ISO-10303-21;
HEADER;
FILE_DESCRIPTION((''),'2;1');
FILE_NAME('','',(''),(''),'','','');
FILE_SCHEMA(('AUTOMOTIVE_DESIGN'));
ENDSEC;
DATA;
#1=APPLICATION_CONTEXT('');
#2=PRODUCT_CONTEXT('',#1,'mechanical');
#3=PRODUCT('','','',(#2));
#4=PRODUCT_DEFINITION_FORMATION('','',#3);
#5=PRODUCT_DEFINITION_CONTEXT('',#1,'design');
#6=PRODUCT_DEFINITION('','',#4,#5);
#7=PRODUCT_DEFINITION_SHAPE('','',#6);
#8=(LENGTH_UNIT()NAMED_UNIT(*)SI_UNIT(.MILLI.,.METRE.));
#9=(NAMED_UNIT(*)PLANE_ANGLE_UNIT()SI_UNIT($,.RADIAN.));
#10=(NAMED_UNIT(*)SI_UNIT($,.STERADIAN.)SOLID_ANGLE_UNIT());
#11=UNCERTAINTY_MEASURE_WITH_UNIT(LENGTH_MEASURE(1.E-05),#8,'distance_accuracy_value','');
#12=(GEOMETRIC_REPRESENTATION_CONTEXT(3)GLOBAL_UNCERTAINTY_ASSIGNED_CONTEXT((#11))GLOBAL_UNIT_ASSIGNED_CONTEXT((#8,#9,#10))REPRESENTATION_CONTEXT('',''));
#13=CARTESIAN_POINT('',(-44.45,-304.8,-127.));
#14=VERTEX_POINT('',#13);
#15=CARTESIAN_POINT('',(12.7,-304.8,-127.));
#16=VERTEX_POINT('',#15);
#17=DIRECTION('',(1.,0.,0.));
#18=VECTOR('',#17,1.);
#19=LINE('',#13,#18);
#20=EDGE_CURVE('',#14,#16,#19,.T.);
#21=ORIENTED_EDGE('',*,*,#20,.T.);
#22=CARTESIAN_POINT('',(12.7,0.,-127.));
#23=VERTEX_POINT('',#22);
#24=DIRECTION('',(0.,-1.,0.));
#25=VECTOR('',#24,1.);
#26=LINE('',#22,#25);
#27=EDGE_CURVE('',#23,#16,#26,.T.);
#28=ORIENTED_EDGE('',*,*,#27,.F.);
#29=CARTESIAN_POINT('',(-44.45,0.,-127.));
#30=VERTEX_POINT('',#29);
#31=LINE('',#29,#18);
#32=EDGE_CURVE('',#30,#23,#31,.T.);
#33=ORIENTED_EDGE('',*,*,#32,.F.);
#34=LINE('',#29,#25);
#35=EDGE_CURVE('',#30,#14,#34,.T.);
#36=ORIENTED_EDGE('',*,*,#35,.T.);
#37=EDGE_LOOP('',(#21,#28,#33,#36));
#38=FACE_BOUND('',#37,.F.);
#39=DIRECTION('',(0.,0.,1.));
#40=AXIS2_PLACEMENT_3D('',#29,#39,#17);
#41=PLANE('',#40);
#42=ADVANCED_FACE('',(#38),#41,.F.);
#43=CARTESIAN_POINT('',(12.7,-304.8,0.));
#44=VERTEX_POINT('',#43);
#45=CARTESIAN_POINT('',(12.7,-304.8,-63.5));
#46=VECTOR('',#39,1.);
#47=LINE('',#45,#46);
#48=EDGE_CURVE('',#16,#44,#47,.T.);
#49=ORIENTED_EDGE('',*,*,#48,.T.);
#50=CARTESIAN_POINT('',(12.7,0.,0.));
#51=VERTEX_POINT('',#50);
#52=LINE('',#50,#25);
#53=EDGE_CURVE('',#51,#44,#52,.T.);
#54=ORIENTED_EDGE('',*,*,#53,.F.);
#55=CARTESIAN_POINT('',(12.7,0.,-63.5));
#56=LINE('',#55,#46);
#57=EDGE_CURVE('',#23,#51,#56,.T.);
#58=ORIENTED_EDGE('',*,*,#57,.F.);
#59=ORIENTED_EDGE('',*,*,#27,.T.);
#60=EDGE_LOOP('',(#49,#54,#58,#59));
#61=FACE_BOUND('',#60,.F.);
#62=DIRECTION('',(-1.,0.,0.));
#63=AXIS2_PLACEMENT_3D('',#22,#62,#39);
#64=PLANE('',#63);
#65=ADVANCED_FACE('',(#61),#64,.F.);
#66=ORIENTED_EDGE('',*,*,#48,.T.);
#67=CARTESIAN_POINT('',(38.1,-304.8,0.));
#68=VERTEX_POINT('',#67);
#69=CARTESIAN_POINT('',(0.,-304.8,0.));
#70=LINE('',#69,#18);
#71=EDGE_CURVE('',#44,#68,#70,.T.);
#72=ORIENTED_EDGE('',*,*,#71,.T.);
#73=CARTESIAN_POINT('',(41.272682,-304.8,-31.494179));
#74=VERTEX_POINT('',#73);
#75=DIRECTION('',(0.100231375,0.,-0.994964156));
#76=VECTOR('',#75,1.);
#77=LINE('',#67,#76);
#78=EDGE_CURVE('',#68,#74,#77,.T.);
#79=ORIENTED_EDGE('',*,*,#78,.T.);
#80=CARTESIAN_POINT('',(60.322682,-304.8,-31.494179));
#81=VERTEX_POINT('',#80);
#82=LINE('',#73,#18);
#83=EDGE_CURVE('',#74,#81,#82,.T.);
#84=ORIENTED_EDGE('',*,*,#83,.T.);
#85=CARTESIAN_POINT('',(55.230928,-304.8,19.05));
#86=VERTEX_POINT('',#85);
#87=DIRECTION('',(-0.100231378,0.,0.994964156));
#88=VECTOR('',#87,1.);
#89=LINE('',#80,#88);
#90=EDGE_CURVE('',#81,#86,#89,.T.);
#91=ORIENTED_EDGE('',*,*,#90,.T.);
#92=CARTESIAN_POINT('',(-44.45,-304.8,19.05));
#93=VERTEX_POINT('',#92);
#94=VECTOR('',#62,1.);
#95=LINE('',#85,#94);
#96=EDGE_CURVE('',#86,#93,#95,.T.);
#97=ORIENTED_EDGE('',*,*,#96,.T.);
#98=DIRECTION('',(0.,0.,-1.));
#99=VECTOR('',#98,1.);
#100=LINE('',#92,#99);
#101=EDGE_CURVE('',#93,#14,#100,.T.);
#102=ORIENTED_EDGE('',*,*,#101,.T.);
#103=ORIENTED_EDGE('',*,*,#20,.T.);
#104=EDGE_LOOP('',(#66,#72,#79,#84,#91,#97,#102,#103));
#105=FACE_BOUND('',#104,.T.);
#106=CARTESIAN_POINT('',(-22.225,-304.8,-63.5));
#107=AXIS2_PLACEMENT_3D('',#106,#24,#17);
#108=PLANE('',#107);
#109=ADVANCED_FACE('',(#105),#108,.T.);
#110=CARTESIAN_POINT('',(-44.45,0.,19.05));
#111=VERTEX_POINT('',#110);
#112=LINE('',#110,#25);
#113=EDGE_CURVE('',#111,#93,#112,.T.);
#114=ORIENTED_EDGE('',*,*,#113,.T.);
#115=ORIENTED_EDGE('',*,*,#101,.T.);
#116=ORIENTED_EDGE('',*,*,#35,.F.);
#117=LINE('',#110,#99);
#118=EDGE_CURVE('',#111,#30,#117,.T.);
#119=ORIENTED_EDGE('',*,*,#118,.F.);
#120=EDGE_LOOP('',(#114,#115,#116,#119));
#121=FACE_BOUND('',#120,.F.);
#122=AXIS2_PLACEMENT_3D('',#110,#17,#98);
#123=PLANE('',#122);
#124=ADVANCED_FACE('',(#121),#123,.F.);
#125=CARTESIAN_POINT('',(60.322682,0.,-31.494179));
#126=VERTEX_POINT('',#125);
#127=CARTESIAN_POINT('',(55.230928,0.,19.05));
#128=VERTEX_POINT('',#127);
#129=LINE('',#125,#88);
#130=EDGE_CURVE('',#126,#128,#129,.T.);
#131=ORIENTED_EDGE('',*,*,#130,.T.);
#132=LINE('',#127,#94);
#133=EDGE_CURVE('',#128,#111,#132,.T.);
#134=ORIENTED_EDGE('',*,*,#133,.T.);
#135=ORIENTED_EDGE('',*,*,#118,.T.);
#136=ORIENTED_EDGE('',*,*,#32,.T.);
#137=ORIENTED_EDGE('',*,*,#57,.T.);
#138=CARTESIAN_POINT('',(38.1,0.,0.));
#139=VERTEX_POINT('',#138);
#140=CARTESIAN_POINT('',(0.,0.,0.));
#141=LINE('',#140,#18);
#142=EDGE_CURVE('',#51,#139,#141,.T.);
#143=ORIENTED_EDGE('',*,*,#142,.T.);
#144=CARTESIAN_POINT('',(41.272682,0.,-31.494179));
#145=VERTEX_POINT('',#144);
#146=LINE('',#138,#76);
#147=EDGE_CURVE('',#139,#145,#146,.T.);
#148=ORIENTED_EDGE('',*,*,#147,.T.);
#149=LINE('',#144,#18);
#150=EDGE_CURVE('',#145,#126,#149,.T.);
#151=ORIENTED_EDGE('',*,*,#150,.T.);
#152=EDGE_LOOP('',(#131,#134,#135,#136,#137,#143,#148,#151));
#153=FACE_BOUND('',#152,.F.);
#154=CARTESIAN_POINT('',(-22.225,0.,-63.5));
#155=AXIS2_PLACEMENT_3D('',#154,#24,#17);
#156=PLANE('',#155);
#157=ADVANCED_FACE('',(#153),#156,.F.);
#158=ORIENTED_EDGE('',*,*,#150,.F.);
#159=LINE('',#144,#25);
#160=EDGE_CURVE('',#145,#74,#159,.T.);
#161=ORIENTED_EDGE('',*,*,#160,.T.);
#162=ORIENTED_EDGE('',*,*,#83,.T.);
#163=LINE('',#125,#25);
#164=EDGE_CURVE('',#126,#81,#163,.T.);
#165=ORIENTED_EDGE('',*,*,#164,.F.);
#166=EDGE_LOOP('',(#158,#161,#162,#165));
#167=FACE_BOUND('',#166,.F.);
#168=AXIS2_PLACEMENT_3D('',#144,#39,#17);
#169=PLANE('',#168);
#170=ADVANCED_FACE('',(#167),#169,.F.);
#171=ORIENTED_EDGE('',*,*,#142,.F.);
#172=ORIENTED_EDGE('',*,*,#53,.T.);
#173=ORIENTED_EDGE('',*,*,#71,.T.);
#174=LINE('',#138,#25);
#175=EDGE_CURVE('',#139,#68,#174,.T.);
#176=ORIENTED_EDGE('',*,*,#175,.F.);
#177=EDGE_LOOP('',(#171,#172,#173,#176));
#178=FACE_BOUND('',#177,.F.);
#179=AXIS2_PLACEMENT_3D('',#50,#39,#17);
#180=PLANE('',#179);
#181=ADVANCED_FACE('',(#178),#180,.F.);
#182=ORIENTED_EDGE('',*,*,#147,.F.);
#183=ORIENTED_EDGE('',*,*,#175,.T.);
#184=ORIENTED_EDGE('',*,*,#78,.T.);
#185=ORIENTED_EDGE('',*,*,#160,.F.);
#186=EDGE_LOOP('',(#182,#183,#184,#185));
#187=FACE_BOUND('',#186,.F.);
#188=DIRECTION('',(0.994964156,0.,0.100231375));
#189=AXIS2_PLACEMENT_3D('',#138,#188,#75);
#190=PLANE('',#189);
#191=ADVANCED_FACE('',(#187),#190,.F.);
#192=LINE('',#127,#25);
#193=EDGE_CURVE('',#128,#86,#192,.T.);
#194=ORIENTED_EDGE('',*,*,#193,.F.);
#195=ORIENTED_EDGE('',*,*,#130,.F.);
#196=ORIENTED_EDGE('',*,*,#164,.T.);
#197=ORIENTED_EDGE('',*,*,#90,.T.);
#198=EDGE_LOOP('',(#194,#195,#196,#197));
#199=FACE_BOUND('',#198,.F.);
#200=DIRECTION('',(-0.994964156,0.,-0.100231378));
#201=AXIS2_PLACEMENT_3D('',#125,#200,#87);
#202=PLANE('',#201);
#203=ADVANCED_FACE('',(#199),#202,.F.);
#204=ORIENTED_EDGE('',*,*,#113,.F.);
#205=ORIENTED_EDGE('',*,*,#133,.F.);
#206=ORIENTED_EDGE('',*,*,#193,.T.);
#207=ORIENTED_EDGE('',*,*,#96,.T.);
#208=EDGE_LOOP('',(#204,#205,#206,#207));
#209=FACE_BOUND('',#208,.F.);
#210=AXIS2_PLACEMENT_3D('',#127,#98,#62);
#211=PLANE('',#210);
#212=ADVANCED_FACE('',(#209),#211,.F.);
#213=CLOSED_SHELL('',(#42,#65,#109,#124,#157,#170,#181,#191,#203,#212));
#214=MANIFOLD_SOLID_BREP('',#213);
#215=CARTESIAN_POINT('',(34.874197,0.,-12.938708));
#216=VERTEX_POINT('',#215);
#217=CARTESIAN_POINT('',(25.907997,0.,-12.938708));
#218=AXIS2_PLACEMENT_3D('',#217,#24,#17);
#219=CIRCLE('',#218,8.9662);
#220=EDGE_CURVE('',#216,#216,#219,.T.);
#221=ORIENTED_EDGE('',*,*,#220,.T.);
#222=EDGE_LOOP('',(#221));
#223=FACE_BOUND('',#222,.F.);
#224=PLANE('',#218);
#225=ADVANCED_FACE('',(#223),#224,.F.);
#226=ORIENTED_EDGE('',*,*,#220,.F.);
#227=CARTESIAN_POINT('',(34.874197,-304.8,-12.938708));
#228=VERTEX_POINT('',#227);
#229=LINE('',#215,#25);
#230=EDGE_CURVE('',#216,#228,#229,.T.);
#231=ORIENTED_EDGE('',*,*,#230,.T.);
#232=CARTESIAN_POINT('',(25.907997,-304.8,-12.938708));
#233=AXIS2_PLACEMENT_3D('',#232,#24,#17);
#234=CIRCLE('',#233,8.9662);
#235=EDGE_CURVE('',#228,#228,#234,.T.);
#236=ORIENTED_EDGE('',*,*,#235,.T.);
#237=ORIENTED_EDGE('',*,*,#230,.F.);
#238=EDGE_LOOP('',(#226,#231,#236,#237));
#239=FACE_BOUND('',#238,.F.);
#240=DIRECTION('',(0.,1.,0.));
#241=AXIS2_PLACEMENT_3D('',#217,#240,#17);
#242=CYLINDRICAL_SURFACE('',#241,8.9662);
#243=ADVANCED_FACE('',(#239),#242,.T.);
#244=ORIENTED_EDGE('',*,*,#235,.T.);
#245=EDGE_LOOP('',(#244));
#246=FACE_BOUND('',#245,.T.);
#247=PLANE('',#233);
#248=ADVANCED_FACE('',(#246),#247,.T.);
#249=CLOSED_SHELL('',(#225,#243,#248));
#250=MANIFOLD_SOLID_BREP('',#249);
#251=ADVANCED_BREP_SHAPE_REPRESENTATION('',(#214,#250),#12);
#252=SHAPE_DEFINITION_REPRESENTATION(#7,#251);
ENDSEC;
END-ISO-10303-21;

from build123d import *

# Parameters (mm, degrees)
F0_W     = 44.45
F0_H     = 127
F0_W_2   = 12.7
F0_R     = 8.9662
F1_DEPTH = 304.8


with BuildPart() as f1:
    # F0 (on Front) → F1 (new body)
    with BuildSketch(Plane.XZ):
        with Locations((-22.225, -63.5)):
            Rectangle(F0_W, F0_H)
        Polygon((36.180928, 19.05), (38.1, 0), (41.272682, -31.494179), (60.322682, -31.494179), (55.230928, 19.05), align=None)
        Polygon((-44.45, 0), (0, 0), (12.7, 0), (38.1, 0), (36.180928, 19.05), (-44.45, 19.05), align=None)
        with Locations((6.35, -63.5)):
            Rectangle(F0_W_2, F0_H)
        with Locations((25.907997, -12.938708)):
            Circle(F0_R)
    extrude(amount=F1_DEPTH)


solid = f1.part
